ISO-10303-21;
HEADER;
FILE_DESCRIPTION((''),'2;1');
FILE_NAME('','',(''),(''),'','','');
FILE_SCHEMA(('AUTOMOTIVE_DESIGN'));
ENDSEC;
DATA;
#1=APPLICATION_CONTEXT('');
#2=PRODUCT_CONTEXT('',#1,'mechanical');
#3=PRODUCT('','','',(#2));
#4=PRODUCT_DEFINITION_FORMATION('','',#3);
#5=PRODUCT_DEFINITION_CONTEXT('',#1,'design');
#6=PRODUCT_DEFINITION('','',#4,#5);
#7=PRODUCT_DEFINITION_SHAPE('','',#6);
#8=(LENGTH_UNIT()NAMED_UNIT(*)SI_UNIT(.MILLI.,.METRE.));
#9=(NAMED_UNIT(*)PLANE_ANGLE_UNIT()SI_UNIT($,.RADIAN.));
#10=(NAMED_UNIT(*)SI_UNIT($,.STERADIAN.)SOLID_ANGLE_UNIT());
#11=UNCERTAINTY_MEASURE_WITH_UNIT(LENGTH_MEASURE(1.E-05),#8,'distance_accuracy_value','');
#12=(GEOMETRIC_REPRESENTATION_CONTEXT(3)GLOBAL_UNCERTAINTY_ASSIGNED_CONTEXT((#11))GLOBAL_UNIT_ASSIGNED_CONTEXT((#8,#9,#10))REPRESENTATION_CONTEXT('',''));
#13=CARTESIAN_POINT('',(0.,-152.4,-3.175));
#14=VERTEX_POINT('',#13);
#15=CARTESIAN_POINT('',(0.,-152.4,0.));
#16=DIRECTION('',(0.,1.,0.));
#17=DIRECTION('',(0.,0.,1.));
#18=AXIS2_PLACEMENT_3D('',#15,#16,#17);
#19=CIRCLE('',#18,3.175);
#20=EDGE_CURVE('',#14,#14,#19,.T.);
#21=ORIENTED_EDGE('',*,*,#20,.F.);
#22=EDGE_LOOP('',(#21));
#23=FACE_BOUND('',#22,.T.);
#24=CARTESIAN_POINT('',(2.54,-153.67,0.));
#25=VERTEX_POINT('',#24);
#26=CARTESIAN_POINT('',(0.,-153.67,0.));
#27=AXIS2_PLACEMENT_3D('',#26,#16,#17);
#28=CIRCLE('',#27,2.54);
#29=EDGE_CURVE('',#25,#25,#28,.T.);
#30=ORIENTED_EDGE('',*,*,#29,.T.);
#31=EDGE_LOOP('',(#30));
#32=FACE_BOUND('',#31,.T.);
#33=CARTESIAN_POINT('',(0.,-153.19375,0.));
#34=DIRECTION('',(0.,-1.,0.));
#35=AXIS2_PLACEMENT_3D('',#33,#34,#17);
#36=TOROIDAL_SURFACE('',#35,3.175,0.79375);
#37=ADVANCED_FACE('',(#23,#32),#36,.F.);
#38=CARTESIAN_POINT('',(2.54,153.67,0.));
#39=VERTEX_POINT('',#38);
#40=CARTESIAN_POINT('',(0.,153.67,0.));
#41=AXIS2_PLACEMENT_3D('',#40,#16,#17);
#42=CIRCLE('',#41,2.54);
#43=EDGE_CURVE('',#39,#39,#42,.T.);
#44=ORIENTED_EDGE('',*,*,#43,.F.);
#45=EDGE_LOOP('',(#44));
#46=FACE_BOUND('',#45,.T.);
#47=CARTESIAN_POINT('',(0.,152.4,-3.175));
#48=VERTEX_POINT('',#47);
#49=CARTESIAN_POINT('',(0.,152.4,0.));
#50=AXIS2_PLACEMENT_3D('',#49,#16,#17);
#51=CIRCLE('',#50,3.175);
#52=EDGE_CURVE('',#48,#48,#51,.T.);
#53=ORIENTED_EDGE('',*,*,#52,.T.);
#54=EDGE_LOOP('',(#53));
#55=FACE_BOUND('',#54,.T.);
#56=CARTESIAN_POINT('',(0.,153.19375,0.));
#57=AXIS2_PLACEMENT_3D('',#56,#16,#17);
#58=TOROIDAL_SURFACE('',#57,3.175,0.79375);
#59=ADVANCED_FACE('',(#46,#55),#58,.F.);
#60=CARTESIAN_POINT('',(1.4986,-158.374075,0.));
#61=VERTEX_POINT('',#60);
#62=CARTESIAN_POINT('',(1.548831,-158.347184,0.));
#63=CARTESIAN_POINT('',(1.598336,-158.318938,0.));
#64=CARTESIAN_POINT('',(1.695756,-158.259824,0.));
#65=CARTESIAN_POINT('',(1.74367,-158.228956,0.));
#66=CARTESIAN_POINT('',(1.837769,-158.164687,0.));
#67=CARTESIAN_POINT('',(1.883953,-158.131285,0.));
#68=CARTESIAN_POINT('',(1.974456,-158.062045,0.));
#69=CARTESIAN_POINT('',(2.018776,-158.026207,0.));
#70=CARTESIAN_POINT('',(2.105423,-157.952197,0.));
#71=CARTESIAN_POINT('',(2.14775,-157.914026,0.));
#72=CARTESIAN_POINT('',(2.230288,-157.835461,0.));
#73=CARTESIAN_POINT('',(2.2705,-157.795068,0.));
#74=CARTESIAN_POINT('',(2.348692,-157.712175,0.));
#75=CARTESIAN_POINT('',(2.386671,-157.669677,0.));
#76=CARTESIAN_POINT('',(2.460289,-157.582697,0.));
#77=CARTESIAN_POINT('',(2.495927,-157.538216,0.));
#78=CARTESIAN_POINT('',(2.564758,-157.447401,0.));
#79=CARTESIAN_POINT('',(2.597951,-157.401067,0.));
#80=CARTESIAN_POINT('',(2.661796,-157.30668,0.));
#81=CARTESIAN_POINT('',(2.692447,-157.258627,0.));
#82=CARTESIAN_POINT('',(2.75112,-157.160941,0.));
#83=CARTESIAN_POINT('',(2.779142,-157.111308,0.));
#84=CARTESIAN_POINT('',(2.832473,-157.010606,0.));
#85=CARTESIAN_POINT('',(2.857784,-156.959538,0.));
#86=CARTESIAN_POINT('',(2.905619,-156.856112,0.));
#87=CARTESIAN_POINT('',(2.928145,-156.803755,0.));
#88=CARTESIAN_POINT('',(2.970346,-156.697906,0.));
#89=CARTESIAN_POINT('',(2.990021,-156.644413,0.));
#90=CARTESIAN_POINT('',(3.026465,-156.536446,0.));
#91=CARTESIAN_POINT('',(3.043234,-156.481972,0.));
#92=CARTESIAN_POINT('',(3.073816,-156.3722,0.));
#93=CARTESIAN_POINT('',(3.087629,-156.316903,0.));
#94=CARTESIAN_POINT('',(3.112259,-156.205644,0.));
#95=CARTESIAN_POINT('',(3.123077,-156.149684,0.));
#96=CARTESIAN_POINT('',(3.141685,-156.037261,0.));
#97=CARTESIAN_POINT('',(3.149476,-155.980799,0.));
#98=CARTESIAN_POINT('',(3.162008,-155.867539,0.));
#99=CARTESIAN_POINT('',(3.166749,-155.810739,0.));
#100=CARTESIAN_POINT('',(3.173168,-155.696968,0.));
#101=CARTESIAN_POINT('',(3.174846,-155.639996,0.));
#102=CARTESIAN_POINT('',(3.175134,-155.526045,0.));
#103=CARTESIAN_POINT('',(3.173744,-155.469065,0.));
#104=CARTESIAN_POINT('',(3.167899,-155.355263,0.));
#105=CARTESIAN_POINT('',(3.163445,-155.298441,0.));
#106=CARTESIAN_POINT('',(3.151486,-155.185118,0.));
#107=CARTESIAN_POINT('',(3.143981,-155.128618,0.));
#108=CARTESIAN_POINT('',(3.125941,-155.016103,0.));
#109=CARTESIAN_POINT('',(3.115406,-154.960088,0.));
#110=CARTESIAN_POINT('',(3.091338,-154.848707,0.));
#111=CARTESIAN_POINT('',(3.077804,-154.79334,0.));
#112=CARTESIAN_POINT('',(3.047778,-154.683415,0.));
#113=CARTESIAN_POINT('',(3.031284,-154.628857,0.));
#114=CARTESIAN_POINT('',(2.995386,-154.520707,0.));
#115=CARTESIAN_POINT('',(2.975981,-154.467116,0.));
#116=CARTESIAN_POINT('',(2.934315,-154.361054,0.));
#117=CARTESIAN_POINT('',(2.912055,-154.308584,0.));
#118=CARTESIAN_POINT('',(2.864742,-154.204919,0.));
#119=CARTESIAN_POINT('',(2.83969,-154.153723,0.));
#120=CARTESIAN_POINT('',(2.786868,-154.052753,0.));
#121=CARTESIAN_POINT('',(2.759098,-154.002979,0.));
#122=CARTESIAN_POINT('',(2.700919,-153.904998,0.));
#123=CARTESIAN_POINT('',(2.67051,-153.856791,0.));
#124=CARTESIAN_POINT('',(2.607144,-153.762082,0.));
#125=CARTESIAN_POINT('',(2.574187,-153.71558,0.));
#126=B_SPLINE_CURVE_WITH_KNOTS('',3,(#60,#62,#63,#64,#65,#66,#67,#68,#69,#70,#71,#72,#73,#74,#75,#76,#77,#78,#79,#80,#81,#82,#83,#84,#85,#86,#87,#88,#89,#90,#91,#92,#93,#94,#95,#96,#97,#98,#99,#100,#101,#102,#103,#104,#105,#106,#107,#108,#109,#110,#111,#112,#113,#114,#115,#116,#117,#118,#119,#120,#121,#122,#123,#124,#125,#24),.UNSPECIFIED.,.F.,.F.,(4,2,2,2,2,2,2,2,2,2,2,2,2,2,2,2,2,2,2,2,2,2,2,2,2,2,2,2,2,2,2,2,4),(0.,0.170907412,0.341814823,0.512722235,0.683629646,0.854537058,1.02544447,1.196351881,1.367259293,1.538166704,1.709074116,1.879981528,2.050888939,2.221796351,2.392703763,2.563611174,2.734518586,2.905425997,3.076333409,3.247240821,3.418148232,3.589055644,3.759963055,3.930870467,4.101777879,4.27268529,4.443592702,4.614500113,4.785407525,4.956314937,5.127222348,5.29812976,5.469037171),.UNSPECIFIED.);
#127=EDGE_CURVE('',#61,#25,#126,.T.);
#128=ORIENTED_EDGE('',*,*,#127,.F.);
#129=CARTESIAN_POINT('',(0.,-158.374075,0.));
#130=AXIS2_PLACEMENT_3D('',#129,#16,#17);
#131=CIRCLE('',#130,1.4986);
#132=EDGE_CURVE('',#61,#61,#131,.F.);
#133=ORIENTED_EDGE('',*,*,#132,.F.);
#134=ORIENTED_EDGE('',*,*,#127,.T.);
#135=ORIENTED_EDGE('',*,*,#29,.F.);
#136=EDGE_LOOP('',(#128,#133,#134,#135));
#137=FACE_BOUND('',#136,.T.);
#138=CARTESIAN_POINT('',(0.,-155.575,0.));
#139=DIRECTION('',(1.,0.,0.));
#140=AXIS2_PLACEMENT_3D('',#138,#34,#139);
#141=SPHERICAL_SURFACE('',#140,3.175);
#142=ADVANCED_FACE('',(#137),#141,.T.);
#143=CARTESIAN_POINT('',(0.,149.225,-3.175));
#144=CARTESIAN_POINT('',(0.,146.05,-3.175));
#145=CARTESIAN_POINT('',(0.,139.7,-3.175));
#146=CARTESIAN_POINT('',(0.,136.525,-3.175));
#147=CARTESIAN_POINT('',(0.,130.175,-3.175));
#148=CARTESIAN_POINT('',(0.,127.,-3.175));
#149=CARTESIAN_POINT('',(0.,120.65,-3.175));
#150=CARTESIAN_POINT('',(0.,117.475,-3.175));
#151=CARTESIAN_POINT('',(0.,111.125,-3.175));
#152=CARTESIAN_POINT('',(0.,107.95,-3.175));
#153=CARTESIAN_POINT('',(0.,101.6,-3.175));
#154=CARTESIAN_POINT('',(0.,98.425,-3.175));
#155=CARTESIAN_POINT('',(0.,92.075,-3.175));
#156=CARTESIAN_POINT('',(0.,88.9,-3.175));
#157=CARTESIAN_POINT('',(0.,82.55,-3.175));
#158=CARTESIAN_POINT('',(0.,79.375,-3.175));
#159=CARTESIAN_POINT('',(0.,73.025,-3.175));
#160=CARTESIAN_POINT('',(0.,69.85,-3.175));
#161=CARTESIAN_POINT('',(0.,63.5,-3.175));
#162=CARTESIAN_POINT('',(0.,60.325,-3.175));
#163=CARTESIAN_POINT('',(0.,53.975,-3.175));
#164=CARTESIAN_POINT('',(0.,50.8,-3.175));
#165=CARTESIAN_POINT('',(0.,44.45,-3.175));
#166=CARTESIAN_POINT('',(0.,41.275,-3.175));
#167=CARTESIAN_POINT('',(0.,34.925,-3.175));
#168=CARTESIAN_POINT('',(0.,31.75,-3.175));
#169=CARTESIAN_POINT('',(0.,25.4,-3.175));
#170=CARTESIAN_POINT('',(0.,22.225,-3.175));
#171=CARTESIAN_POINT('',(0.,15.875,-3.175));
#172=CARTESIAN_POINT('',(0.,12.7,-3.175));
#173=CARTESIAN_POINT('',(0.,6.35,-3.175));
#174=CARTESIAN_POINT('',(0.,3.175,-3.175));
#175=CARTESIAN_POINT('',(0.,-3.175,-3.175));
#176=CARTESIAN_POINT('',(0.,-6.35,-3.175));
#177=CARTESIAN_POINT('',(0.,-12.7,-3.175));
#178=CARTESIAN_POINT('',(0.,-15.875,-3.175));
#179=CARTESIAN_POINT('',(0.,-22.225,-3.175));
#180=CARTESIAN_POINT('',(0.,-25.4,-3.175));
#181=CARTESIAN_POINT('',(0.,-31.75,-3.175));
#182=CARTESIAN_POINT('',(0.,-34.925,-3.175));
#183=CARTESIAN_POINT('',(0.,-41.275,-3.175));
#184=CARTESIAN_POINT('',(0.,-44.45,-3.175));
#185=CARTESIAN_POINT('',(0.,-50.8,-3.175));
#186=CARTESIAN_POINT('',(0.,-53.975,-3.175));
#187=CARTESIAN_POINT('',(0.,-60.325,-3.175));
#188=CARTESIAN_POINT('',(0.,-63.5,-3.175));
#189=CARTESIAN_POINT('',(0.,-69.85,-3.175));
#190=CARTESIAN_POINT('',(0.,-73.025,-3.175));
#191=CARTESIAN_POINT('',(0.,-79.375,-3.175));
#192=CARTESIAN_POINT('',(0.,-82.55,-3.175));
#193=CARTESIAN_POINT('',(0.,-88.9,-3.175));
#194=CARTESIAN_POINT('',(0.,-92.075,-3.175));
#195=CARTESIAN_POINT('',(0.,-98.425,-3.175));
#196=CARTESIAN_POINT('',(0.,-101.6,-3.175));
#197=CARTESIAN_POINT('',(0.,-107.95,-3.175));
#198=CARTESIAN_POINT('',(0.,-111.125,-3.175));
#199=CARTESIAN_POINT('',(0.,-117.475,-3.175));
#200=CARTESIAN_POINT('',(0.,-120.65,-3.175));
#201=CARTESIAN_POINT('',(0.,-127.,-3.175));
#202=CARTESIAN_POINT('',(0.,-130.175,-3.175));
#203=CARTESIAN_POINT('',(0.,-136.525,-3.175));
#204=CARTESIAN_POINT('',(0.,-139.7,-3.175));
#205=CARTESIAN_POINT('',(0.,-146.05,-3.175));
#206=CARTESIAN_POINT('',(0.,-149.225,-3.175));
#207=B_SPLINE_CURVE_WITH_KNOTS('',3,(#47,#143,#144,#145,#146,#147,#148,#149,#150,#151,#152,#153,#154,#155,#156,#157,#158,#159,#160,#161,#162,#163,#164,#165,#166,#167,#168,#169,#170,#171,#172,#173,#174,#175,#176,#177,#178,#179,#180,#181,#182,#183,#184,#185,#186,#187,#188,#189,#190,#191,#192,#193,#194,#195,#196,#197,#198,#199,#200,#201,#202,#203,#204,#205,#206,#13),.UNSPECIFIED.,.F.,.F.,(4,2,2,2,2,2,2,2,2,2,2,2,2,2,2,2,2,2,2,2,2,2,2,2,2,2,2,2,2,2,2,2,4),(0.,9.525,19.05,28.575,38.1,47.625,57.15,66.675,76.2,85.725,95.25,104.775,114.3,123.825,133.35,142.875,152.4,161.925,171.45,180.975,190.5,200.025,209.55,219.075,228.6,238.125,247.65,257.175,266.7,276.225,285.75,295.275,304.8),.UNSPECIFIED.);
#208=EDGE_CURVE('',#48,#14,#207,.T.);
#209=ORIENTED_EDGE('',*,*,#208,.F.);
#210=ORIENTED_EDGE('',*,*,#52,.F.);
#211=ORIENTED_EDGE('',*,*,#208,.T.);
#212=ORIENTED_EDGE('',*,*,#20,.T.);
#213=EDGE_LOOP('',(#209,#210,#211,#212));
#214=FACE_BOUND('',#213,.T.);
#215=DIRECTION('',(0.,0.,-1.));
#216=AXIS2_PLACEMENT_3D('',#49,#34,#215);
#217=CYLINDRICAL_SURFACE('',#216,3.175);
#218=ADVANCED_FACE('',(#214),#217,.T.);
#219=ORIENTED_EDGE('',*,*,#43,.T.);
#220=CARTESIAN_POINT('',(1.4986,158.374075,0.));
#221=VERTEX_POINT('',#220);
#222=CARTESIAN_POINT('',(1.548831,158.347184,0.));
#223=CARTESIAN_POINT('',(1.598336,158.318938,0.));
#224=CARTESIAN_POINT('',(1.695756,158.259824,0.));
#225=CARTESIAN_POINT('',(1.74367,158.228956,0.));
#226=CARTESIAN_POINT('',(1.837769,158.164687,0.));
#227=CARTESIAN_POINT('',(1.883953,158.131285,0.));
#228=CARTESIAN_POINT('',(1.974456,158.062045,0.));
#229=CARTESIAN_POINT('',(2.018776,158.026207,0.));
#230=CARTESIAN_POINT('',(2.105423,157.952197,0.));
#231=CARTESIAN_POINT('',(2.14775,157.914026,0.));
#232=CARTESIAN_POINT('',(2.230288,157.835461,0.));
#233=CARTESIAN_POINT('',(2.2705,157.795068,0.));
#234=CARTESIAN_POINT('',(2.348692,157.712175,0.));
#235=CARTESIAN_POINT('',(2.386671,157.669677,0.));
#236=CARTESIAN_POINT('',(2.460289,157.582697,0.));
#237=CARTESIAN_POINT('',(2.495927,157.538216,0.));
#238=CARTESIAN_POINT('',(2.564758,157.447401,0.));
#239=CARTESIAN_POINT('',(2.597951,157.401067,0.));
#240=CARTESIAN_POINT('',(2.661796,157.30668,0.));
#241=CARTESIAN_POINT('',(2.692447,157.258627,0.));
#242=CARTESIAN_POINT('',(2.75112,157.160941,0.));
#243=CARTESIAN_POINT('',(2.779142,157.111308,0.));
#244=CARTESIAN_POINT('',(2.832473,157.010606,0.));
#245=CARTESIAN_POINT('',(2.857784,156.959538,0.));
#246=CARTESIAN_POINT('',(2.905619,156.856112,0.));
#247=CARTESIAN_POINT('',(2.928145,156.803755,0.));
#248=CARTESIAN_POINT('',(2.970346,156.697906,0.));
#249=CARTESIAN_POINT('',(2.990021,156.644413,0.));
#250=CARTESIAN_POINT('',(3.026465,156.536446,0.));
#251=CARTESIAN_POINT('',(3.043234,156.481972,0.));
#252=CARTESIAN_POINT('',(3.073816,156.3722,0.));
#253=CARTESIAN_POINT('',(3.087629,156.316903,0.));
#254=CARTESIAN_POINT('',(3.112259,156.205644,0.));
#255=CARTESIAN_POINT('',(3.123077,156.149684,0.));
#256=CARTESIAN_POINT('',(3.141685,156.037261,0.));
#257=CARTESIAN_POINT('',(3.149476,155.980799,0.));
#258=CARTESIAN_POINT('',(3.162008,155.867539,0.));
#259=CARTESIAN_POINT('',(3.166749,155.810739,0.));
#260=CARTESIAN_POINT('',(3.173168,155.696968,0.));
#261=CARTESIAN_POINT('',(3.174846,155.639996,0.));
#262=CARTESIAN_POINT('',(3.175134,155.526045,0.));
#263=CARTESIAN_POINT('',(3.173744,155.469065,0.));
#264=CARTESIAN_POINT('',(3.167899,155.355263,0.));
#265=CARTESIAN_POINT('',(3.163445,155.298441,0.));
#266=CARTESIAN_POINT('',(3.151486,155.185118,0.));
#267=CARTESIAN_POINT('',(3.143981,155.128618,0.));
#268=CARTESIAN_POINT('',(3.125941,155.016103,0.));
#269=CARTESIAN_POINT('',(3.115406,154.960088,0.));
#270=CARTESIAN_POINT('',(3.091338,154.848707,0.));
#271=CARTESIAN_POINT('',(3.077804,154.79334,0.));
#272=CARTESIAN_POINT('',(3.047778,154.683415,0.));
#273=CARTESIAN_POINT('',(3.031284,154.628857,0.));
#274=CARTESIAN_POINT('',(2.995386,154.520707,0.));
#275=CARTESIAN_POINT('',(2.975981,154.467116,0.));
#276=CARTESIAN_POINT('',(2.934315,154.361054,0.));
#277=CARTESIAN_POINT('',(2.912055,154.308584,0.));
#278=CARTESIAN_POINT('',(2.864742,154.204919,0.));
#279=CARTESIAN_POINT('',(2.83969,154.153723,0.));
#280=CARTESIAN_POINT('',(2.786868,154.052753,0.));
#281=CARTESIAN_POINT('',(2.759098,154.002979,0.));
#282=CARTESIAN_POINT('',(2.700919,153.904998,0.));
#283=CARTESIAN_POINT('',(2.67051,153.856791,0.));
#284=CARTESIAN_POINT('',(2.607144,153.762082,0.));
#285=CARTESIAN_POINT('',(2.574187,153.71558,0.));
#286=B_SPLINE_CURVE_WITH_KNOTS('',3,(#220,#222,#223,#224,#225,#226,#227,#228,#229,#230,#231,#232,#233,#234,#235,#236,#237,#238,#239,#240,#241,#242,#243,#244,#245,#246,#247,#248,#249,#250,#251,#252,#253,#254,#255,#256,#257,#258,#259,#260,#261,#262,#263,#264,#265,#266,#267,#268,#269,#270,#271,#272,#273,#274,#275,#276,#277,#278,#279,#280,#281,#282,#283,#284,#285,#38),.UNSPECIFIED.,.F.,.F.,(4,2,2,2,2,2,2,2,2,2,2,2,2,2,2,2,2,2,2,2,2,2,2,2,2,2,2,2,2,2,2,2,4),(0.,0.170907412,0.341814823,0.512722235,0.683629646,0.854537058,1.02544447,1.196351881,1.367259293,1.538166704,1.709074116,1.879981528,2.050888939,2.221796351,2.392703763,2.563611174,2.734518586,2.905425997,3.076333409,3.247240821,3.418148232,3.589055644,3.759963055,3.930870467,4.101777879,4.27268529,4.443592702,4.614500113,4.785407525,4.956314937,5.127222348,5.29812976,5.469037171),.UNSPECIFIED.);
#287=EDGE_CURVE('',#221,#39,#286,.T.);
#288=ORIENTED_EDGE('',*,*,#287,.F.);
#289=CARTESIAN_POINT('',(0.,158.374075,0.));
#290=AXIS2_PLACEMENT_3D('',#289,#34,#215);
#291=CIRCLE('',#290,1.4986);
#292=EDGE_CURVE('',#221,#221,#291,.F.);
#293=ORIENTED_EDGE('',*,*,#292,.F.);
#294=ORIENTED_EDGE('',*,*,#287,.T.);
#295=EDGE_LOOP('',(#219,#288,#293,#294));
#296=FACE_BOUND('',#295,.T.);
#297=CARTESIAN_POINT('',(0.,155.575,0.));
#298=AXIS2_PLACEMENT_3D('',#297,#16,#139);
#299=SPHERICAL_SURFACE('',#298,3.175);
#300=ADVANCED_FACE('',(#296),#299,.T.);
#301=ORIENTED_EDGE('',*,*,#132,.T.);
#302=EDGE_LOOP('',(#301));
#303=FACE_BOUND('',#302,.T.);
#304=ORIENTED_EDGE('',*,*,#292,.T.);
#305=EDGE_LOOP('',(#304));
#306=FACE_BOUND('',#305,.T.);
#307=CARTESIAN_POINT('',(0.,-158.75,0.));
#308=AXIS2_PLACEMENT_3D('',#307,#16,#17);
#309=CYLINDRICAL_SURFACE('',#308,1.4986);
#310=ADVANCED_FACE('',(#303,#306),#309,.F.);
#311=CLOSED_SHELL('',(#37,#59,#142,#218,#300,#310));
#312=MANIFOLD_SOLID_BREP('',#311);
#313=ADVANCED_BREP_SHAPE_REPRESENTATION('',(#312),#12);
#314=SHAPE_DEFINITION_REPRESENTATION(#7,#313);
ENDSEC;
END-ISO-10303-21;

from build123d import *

# Parameters (mm, degrees)
SKETCH1_R               = 3.175
BOSS_EXTRUDE1_DEPTH     = 152.4
CUT_EXTRUDE1_DEPTH      = 159.813487305
CUT_EXTRUDE1_DEPTH_BACK = 159.813487305
SKETCH3_R               = 1.4986


with BuildPart() as part:
    # Sketch1 → Boss-Extrude1 (new, symmetric)
    with BuildSketch(Plane(origin=(0, 0, 0), x_dir=(1, 0, 0), z_dir=(0, 1, 0))):
        with Locations(Location((0, 0, 0), (0, 0, 90))):
            Circle(SKETCH1_R)
    extrude(amount=BOSS_EXTRUDE1_DEPTH, both=True)

    # Sketch2 → Revolve1 (revolve)
    with BuildSketch(Plane.XY, mode=Mode.PRIVATE) as revolve1_sk:
        with BuildLine():
            Line((0, 158.75), (0, 152.4))
            Line((0, 152.4), (-3.175, 152.4))
            ThreePointArc((-3.175, 152.4), (-2.465048417, 152.838774209), (-2.54, 153.67))
            ThreePointArc((-2.54, 153.67), (-2.839806331, 156.994903166), (0, 158.75))
        make_face()
    revolve1 = revolve(revolve1_sk.sketch.rotate(Axis((0, 158.75, 0), (0, -1, 0)), 270), axis=Axis((0, 158.75, 0), (0, -1, 0)))

    # Mirror1: Revolve1 across plane
    add(revolve1.mirror(Plane.ZX))

    # Sketch3 → Cut-Extrude1 (cut, two sides: drawn at the far end of the back side and taken through both)
    with BuildSketch(Plane(origin=(0, 0, 0), x_dir=(1, 0, 0), z_dir=(0, 1, 0)).offset(-CUT_EXTRUDE1_DEPTH_BACK)):
        Circle(SKETCH3_R)
    extrude(amount=CUT_EXTRUDE1_DEPTH + CUT_EXTRUDE1_DEPTH_BACK, mode=Mode.SUBTRACT)


solid = part.part
